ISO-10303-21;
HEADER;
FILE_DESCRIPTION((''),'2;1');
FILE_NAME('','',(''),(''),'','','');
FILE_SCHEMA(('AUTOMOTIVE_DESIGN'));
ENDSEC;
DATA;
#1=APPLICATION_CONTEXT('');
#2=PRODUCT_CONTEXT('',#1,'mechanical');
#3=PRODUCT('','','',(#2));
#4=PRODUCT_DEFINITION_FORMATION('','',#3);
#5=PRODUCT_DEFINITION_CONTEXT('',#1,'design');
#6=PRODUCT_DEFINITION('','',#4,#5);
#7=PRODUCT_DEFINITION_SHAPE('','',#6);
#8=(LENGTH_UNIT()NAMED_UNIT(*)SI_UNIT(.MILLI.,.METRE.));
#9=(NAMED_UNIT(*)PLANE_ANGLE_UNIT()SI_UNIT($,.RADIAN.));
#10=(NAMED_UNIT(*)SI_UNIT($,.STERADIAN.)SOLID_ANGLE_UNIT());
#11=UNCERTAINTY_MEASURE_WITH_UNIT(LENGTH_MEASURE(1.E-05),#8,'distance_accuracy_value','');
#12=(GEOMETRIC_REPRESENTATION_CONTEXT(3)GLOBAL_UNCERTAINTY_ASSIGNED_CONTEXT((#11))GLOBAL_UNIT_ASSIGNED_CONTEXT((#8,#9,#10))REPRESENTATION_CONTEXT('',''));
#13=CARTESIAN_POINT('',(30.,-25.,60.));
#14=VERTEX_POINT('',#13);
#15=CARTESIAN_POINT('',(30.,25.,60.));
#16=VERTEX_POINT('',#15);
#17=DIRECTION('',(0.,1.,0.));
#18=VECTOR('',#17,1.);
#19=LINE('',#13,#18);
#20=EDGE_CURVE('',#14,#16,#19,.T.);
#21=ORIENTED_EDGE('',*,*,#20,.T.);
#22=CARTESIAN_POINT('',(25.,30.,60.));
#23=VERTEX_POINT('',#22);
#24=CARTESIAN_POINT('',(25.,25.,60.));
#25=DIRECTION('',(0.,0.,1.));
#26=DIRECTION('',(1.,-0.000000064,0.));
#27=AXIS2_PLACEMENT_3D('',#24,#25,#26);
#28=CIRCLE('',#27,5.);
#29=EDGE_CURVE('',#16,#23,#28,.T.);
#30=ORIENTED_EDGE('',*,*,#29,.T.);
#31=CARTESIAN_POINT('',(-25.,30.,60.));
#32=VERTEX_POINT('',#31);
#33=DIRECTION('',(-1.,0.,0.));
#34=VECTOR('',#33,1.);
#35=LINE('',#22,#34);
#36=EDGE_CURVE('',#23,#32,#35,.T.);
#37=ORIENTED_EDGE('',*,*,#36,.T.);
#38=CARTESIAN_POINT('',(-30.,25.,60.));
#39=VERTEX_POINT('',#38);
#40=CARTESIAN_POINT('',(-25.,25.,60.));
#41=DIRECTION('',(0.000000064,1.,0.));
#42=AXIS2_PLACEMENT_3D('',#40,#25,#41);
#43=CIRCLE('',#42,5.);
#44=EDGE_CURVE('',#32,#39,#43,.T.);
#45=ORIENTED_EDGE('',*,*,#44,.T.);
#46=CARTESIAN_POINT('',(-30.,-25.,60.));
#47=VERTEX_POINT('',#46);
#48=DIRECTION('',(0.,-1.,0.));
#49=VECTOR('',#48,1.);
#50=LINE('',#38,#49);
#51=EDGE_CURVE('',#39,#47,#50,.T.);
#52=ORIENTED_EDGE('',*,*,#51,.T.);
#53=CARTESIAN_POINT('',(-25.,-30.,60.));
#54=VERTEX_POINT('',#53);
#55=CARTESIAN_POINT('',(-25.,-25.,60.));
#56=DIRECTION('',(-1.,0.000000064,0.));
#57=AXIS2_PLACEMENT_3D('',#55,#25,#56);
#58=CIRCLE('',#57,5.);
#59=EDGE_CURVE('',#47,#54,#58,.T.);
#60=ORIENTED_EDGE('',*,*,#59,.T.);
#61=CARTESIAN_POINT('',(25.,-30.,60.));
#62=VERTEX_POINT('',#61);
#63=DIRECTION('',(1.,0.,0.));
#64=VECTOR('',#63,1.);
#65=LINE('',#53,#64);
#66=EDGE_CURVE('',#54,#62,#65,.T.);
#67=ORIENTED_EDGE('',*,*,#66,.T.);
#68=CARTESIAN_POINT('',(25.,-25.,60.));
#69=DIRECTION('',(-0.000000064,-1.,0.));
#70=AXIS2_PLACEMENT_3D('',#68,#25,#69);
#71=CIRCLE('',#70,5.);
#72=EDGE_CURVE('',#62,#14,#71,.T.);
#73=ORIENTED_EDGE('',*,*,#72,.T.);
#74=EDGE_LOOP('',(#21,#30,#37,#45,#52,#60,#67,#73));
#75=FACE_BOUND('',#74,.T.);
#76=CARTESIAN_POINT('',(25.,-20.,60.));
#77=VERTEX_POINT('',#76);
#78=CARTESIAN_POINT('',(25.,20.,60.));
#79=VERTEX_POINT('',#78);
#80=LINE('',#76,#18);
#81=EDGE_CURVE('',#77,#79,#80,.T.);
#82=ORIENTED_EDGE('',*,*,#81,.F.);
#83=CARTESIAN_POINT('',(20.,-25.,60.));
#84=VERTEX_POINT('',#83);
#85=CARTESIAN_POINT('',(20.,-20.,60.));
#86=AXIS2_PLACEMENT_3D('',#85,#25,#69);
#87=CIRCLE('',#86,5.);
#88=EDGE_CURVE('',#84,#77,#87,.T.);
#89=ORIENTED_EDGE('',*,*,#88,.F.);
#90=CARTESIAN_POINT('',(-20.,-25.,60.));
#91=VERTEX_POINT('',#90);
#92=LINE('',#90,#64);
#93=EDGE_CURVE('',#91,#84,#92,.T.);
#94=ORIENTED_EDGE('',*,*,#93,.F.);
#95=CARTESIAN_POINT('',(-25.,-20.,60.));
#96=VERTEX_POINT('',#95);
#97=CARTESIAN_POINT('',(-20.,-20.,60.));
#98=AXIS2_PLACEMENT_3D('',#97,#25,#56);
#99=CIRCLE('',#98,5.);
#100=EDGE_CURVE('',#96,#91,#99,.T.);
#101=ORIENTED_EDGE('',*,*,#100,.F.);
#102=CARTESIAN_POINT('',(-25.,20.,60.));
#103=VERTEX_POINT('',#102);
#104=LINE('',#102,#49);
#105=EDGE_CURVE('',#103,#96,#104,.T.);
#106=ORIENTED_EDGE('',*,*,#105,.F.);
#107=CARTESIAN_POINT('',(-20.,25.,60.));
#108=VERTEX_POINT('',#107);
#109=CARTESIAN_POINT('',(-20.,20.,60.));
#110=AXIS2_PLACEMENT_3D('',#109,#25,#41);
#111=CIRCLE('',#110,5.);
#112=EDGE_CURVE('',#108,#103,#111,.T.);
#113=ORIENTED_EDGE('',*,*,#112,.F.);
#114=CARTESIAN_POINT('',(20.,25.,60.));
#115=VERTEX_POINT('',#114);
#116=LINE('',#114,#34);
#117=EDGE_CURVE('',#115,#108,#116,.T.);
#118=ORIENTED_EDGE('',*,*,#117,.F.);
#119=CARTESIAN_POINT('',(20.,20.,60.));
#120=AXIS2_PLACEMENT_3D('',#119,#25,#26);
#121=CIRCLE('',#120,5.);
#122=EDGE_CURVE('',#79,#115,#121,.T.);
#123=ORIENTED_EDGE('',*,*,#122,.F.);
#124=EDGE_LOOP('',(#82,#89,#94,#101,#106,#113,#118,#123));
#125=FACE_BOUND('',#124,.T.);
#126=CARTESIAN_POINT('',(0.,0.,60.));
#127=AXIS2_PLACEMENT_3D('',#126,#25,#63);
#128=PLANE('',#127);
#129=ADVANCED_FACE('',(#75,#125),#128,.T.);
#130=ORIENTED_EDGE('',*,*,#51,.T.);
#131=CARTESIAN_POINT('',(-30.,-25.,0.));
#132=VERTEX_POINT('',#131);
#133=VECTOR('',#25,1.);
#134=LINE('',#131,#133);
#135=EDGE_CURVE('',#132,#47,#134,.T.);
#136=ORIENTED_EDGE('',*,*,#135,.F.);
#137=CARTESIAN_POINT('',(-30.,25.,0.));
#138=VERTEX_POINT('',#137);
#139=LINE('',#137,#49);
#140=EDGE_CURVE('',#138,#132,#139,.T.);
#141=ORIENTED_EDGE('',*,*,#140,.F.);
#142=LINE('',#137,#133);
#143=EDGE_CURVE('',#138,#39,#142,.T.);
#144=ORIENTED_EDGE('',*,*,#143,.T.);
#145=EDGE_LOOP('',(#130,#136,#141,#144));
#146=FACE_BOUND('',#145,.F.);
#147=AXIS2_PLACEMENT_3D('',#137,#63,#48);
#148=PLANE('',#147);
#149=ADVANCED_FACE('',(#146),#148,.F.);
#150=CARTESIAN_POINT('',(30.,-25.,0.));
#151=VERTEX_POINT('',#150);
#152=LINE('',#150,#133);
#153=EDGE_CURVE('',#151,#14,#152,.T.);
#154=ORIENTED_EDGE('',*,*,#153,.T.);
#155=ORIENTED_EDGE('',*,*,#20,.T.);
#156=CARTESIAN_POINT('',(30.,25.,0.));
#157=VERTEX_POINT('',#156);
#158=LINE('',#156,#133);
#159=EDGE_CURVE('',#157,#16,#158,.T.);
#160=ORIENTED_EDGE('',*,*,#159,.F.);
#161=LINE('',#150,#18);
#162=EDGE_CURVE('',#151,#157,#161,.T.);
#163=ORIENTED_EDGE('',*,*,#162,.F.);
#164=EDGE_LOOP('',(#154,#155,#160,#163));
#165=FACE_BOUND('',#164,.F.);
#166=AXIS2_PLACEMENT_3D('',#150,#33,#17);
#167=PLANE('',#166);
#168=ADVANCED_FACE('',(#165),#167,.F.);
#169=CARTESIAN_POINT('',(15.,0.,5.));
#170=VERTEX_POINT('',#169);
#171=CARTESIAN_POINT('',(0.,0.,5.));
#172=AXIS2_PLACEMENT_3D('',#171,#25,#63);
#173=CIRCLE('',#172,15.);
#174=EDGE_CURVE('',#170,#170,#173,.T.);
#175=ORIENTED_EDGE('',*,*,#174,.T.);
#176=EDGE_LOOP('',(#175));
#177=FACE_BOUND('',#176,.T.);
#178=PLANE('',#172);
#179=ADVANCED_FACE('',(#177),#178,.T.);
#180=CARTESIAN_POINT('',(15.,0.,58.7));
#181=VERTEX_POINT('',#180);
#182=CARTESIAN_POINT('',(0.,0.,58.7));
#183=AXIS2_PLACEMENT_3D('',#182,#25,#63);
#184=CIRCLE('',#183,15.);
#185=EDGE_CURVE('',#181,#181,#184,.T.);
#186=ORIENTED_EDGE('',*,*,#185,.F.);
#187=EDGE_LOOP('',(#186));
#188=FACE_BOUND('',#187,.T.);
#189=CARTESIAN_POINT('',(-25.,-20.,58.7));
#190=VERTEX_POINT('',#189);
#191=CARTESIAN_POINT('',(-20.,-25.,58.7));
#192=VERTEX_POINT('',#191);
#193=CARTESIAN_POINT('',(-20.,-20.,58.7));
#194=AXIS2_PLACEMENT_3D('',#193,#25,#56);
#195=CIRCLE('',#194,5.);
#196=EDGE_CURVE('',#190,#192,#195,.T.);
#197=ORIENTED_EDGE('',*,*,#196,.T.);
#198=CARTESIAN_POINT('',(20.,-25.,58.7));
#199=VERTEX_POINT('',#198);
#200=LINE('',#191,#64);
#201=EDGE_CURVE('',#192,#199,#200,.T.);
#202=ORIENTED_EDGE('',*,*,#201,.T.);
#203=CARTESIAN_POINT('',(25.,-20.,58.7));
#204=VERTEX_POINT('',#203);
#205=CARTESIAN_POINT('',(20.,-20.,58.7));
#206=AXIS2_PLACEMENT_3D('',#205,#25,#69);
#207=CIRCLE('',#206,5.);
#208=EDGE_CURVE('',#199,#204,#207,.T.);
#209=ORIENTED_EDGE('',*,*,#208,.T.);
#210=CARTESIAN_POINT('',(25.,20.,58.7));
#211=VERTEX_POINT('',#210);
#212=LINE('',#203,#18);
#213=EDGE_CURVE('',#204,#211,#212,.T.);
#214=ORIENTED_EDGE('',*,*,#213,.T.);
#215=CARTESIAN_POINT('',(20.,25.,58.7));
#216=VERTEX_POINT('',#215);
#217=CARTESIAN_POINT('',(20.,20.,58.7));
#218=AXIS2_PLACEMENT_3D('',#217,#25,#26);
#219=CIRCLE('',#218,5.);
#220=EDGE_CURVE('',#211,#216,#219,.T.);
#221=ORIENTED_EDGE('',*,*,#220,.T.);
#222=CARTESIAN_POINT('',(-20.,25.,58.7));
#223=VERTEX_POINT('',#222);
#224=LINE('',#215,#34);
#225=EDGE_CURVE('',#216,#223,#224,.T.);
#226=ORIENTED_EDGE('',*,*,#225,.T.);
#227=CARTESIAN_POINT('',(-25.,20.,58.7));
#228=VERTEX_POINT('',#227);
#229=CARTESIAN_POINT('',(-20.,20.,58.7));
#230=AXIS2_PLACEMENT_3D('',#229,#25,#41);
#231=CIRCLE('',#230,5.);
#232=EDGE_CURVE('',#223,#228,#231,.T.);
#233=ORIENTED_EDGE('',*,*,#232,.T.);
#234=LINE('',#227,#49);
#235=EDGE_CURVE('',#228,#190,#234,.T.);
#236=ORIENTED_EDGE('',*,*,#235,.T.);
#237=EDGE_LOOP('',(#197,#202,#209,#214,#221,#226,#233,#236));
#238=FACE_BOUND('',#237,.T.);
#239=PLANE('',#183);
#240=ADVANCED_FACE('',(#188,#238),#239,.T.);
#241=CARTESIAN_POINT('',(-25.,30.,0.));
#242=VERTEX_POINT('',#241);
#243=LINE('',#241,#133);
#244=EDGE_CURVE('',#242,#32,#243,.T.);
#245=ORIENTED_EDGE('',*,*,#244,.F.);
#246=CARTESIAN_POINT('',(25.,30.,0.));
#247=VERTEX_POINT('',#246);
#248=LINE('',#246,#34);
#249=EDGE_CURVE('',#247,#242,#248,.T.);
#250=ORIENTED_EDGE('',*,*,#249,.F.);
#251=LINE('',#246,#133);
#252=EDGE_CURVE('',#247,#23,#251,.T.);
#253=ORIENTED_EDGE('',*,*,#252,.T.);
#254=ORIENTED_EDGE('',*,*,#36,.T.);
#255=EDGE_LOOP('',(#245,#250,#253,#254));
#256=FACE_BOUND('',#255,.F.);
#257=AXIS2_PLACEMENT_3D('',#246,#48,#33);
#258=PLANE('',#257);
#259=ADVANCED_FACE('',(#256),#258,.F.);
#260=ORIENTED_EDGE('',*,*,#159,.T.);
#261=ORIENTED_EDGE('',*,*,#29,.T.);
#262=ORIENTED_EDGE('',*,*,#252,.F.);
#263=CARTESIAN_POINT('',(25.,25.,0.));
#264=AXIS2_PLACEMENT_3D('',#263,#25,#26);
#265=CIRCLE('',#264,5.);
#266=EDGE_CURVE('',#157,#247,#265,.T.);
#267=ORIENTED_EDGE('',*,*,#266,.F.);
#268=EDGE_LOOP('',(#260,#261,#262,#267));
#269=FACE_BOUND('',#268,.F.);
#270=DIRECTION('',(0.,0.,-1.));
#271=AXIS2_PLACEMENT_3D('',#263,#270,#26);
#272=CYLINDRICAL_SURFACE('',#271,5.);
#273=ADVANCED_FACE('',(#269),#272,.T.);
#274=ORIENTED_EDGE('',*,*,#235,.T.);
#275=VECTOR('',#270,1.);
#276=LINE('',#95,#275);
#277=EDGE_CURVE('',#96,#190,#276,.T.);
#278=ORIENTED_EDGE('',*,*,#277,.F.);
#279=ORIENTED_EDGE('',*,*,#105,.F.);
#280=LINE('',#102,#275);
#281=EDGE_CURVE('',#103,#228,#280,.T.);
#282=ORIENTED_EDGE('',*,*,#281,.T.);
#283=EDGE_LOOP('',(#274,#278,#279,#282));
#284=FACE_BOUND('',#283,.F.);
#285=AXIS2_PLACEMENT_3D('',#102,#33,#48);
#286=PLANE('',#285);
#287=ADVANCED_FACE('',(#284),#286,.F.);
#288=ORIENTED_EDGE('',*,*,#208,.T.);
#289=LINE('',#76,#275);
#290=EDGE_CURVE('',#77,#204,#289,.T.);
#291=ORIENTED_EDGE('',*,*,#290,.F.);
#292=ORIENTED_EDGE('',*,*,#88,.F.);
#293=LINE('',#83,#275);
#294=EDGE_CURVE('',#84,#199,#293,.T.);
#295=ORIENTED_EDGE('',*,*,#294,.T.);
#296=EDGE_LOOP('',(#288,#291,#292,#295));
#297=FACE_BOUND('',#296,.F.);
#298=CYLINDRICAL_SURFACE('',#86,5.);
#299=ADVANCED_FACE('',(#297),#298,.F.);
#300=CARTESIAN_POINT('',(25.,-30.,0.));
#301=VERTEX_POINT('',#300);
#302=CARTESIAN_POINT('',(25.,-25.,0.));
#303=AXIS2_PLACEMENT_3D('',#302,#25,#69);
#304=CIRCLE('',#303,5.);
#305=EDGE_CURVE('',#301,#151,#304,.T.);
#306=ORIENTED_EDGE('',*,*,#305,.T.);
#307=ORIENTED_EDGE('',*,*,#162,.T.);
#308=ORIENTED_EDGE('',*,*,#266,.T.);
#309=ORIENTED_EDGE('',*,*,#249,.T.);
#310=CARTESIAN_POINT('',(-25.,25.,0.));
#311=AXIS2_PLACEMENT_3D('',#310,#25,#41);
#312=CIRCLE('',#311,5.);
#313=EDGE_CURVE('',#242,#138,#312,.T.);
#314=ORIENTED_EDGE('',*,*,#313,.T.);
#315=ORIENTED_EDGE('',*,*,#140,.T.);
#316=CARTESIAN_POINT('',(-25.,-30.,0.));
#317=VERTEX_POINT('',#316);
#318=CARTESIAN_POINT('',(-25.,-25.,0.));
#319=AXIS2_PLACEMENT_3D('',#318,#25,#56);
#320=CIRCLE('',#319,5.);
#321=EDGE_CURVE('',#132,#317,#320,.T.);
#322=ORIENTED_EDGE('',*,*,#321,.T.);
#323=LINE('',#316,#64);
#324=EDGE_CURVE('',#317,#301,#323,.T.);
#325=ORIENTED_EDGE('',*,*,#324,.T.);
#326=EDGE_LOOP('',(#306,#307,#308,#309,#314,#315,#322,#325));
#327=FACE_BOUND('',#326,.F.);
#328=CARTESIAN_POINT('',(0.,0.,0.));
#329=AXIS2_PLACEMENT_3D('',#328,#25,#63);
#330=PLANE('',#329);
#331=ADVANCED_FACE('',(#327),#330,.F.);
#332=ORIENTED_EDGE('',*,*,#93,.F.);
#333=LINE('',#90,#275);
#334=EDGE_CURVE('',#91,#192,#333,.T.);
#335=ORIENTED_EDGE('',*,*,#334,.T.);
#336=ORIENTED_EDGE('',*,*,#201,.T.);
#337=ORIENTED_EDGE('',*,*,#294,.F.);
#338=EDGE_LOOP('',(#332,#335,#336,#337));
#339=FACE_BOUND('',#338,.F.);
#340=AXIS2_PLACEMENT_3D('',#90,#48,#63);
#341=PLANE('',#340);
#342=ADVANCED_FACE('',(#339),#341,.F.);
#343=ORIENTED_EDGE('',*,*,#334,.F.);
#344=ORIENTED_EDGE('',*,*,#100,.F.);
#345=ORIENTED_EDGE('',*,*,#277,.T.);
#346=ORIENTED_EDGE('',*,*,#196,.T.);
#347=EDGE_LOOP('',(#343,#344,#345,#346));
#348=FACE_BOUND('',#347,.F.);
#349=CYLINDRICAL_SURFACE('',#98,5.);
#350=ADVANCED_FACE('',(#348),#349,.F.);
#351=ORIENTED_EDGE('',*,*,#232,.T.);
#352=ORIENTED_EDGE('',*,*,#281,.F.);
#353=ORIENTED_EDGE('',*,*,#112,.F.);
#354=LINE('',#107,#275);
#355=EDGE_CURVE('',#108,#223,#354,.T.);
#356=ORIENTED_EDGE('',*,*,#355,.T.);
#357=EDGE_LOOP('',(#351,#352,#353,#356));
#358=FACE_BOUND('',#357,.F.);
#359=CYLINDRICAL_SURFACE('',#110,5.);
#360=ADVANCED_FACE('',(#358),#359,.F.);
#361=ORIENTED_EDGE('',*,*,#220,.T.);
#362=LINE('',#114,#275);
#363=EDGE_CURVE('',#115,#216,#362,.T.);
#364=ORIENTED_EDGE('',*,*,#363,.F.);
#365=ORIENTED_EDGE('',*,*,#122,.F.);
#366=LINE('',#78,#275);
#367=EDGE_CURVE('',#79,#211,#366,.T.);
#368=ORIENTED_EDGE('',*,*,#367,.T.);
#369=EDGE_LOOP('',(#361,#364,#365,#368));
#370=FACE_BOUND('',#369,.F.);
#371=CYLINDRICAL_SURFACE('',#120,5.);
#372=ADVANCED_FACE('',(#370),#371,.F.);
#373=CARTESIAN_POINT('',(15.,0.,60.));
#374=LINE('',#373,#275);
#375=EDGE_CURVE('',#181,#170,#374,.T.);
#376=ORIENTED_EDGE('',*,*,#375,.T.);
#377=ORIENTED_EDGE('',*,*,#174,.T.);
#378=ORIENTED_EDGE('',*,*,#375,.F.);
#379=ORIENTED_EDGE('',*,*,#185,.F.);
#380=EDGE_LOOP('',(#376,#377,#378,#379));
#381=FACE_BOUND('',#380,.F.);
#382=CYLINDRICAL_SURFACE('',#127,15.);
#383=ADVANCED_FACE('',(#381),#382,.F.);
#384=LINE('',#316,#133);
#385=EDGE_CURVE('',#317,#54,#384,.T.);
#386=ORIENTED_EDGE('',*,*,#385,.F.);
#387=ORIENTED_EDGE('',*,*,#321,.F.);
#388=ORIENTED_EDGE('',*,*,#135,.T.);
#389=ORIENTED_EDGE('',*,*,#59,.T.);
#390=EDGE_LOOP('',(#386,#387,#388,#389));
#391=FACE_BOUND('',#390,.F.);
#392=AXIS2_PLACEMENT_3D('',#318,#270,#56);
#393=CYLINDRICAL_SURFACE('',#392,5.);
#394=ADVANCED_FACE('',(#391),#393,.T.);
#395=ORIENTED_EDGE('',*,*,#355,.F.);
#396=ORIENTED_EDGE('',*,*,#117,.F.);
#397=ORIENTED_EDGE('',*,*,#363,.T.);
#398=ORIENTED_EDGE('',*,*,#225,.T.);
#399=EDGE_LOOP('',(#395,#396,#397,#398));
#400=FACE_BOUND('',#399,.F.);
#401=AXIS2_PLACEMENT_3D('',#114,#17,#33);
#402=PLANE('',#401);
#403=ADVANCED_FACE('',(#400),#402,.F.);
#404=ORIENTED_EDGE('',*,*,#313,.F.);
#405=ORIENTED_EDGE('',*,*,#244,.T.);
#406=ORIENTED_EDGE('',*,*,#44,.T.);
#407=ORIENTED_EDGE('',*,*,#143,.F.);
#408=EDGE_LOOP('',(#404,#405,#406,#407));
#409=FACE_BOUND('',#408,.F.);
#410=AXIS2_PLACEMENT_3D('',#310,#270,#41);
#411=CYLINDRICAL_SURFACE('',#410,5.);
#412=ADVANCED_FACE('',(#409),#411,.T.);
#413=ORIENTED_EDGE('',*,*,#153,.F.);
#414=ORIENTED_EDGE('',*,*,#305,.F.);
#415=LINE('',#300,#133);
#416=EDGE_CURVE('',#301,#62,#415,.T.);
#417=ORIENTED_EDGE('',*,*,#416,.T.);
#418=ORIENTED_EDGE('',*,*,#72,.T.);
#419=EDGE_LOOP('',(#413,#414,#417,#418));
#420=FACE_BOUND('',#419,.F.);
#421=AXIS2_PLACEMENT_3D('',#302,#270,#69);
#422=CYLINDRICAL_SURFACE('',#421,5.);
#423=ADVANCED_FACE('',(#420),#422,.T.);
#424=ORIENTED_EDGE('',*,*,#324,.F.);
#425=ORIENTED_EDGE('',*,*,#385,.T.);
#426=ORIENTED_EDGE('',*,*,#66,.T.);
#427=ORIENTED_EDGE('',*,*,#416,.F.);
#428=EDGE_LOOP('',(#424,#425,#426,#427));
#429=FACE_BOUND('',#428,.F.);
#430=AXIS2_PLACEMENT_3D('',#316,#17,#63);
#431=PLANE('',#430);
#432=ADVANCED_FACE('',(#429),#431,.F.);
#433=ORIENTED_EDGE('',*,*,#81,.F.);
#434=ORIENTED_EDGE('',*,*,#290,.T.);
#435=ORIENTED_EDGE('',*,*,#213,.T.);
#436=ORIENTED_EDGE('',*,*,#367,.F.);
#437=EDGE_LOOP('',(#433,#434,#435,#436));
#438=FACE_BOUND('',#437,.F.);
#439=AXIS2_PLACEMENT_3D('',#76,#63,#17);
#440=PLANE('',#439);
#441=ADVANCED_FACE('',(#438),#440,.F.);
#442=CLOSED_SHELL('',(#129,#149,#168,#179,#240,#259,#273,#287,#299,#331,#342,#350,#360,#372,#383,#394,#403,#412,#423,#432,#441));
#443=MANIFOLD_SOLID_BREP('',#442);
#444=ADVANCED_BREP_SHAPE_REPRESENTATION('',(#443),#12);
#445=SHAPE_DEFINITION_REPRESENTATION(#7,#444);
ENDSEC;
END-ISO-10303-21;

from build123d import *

# Parameters (mm, degrees)
F1_DEPTH  = 60
F2_R      = 15
F3_DEPTH  = 1.3
F3_FACE_R = 15
F4_DEPTH  = 55


with BuildPart() as f1:
    # F0 (on Top) → F1 (new body)
    with BuildSketch(Plane.XY):
        with BuildLine():
            Line((25, 30), (-25, 30))
            ThreePointArc((-25, 30), (-28.535534, 28.535534), (-30, 25))
            Line((-30, 25), (-30, -25))
            ThreePointArc((-30, -25), (-28.535534, -28.535534), (-25, -30))
            Line((-25, -30), (25, -30))
            ThreePointArc((25, -30), (28.535534, -28.535534), (30, -25))
            Line((30, -25), (30, 25))
            ThreePointArc((30, 25), (28.535534, 28.535534), (25, 30))
        make_face()
    extrude(amount=F1_DEPTH)

    # F2 (on face) → F3 (cut)
    with BuildSketch(Plane.XY.offset(60)):
        with BuildLine():
            Line((20, 25), (-20, 25))
            ThreePointArc((-20, 25), (-23.535534, 23.535534), (-25, 20))
            Line((-25, 20), (-25, -20))
            ThreePointArc((-25, -20), (-23.535534, -23.535534), (-20, -25))
            Line((-20, -25), (20, -25))
            ThreePointArc((20, -25), (23.535534, -23.535534), (25, -20))
            Line((25, -20), (25, 20))
            ThreePointArc((25, 20), (23.535534, 23.535534), (20, 25))
        make_face()
        Circle(F2_R, mode=Mode.SUBTRACT)
    extrude(amount=-F3_DEPTH, mode=Mode.SUBTRACT)

    # F3_face (on face) → F4 (cut)
    with BuildSketch(Plane.XY.offset(60)):
        Circle(F3_FACE_R)
    extrude(amount=-F4_DEPTH, mode=Mode.SUBTRACT)


solid = f1.part
